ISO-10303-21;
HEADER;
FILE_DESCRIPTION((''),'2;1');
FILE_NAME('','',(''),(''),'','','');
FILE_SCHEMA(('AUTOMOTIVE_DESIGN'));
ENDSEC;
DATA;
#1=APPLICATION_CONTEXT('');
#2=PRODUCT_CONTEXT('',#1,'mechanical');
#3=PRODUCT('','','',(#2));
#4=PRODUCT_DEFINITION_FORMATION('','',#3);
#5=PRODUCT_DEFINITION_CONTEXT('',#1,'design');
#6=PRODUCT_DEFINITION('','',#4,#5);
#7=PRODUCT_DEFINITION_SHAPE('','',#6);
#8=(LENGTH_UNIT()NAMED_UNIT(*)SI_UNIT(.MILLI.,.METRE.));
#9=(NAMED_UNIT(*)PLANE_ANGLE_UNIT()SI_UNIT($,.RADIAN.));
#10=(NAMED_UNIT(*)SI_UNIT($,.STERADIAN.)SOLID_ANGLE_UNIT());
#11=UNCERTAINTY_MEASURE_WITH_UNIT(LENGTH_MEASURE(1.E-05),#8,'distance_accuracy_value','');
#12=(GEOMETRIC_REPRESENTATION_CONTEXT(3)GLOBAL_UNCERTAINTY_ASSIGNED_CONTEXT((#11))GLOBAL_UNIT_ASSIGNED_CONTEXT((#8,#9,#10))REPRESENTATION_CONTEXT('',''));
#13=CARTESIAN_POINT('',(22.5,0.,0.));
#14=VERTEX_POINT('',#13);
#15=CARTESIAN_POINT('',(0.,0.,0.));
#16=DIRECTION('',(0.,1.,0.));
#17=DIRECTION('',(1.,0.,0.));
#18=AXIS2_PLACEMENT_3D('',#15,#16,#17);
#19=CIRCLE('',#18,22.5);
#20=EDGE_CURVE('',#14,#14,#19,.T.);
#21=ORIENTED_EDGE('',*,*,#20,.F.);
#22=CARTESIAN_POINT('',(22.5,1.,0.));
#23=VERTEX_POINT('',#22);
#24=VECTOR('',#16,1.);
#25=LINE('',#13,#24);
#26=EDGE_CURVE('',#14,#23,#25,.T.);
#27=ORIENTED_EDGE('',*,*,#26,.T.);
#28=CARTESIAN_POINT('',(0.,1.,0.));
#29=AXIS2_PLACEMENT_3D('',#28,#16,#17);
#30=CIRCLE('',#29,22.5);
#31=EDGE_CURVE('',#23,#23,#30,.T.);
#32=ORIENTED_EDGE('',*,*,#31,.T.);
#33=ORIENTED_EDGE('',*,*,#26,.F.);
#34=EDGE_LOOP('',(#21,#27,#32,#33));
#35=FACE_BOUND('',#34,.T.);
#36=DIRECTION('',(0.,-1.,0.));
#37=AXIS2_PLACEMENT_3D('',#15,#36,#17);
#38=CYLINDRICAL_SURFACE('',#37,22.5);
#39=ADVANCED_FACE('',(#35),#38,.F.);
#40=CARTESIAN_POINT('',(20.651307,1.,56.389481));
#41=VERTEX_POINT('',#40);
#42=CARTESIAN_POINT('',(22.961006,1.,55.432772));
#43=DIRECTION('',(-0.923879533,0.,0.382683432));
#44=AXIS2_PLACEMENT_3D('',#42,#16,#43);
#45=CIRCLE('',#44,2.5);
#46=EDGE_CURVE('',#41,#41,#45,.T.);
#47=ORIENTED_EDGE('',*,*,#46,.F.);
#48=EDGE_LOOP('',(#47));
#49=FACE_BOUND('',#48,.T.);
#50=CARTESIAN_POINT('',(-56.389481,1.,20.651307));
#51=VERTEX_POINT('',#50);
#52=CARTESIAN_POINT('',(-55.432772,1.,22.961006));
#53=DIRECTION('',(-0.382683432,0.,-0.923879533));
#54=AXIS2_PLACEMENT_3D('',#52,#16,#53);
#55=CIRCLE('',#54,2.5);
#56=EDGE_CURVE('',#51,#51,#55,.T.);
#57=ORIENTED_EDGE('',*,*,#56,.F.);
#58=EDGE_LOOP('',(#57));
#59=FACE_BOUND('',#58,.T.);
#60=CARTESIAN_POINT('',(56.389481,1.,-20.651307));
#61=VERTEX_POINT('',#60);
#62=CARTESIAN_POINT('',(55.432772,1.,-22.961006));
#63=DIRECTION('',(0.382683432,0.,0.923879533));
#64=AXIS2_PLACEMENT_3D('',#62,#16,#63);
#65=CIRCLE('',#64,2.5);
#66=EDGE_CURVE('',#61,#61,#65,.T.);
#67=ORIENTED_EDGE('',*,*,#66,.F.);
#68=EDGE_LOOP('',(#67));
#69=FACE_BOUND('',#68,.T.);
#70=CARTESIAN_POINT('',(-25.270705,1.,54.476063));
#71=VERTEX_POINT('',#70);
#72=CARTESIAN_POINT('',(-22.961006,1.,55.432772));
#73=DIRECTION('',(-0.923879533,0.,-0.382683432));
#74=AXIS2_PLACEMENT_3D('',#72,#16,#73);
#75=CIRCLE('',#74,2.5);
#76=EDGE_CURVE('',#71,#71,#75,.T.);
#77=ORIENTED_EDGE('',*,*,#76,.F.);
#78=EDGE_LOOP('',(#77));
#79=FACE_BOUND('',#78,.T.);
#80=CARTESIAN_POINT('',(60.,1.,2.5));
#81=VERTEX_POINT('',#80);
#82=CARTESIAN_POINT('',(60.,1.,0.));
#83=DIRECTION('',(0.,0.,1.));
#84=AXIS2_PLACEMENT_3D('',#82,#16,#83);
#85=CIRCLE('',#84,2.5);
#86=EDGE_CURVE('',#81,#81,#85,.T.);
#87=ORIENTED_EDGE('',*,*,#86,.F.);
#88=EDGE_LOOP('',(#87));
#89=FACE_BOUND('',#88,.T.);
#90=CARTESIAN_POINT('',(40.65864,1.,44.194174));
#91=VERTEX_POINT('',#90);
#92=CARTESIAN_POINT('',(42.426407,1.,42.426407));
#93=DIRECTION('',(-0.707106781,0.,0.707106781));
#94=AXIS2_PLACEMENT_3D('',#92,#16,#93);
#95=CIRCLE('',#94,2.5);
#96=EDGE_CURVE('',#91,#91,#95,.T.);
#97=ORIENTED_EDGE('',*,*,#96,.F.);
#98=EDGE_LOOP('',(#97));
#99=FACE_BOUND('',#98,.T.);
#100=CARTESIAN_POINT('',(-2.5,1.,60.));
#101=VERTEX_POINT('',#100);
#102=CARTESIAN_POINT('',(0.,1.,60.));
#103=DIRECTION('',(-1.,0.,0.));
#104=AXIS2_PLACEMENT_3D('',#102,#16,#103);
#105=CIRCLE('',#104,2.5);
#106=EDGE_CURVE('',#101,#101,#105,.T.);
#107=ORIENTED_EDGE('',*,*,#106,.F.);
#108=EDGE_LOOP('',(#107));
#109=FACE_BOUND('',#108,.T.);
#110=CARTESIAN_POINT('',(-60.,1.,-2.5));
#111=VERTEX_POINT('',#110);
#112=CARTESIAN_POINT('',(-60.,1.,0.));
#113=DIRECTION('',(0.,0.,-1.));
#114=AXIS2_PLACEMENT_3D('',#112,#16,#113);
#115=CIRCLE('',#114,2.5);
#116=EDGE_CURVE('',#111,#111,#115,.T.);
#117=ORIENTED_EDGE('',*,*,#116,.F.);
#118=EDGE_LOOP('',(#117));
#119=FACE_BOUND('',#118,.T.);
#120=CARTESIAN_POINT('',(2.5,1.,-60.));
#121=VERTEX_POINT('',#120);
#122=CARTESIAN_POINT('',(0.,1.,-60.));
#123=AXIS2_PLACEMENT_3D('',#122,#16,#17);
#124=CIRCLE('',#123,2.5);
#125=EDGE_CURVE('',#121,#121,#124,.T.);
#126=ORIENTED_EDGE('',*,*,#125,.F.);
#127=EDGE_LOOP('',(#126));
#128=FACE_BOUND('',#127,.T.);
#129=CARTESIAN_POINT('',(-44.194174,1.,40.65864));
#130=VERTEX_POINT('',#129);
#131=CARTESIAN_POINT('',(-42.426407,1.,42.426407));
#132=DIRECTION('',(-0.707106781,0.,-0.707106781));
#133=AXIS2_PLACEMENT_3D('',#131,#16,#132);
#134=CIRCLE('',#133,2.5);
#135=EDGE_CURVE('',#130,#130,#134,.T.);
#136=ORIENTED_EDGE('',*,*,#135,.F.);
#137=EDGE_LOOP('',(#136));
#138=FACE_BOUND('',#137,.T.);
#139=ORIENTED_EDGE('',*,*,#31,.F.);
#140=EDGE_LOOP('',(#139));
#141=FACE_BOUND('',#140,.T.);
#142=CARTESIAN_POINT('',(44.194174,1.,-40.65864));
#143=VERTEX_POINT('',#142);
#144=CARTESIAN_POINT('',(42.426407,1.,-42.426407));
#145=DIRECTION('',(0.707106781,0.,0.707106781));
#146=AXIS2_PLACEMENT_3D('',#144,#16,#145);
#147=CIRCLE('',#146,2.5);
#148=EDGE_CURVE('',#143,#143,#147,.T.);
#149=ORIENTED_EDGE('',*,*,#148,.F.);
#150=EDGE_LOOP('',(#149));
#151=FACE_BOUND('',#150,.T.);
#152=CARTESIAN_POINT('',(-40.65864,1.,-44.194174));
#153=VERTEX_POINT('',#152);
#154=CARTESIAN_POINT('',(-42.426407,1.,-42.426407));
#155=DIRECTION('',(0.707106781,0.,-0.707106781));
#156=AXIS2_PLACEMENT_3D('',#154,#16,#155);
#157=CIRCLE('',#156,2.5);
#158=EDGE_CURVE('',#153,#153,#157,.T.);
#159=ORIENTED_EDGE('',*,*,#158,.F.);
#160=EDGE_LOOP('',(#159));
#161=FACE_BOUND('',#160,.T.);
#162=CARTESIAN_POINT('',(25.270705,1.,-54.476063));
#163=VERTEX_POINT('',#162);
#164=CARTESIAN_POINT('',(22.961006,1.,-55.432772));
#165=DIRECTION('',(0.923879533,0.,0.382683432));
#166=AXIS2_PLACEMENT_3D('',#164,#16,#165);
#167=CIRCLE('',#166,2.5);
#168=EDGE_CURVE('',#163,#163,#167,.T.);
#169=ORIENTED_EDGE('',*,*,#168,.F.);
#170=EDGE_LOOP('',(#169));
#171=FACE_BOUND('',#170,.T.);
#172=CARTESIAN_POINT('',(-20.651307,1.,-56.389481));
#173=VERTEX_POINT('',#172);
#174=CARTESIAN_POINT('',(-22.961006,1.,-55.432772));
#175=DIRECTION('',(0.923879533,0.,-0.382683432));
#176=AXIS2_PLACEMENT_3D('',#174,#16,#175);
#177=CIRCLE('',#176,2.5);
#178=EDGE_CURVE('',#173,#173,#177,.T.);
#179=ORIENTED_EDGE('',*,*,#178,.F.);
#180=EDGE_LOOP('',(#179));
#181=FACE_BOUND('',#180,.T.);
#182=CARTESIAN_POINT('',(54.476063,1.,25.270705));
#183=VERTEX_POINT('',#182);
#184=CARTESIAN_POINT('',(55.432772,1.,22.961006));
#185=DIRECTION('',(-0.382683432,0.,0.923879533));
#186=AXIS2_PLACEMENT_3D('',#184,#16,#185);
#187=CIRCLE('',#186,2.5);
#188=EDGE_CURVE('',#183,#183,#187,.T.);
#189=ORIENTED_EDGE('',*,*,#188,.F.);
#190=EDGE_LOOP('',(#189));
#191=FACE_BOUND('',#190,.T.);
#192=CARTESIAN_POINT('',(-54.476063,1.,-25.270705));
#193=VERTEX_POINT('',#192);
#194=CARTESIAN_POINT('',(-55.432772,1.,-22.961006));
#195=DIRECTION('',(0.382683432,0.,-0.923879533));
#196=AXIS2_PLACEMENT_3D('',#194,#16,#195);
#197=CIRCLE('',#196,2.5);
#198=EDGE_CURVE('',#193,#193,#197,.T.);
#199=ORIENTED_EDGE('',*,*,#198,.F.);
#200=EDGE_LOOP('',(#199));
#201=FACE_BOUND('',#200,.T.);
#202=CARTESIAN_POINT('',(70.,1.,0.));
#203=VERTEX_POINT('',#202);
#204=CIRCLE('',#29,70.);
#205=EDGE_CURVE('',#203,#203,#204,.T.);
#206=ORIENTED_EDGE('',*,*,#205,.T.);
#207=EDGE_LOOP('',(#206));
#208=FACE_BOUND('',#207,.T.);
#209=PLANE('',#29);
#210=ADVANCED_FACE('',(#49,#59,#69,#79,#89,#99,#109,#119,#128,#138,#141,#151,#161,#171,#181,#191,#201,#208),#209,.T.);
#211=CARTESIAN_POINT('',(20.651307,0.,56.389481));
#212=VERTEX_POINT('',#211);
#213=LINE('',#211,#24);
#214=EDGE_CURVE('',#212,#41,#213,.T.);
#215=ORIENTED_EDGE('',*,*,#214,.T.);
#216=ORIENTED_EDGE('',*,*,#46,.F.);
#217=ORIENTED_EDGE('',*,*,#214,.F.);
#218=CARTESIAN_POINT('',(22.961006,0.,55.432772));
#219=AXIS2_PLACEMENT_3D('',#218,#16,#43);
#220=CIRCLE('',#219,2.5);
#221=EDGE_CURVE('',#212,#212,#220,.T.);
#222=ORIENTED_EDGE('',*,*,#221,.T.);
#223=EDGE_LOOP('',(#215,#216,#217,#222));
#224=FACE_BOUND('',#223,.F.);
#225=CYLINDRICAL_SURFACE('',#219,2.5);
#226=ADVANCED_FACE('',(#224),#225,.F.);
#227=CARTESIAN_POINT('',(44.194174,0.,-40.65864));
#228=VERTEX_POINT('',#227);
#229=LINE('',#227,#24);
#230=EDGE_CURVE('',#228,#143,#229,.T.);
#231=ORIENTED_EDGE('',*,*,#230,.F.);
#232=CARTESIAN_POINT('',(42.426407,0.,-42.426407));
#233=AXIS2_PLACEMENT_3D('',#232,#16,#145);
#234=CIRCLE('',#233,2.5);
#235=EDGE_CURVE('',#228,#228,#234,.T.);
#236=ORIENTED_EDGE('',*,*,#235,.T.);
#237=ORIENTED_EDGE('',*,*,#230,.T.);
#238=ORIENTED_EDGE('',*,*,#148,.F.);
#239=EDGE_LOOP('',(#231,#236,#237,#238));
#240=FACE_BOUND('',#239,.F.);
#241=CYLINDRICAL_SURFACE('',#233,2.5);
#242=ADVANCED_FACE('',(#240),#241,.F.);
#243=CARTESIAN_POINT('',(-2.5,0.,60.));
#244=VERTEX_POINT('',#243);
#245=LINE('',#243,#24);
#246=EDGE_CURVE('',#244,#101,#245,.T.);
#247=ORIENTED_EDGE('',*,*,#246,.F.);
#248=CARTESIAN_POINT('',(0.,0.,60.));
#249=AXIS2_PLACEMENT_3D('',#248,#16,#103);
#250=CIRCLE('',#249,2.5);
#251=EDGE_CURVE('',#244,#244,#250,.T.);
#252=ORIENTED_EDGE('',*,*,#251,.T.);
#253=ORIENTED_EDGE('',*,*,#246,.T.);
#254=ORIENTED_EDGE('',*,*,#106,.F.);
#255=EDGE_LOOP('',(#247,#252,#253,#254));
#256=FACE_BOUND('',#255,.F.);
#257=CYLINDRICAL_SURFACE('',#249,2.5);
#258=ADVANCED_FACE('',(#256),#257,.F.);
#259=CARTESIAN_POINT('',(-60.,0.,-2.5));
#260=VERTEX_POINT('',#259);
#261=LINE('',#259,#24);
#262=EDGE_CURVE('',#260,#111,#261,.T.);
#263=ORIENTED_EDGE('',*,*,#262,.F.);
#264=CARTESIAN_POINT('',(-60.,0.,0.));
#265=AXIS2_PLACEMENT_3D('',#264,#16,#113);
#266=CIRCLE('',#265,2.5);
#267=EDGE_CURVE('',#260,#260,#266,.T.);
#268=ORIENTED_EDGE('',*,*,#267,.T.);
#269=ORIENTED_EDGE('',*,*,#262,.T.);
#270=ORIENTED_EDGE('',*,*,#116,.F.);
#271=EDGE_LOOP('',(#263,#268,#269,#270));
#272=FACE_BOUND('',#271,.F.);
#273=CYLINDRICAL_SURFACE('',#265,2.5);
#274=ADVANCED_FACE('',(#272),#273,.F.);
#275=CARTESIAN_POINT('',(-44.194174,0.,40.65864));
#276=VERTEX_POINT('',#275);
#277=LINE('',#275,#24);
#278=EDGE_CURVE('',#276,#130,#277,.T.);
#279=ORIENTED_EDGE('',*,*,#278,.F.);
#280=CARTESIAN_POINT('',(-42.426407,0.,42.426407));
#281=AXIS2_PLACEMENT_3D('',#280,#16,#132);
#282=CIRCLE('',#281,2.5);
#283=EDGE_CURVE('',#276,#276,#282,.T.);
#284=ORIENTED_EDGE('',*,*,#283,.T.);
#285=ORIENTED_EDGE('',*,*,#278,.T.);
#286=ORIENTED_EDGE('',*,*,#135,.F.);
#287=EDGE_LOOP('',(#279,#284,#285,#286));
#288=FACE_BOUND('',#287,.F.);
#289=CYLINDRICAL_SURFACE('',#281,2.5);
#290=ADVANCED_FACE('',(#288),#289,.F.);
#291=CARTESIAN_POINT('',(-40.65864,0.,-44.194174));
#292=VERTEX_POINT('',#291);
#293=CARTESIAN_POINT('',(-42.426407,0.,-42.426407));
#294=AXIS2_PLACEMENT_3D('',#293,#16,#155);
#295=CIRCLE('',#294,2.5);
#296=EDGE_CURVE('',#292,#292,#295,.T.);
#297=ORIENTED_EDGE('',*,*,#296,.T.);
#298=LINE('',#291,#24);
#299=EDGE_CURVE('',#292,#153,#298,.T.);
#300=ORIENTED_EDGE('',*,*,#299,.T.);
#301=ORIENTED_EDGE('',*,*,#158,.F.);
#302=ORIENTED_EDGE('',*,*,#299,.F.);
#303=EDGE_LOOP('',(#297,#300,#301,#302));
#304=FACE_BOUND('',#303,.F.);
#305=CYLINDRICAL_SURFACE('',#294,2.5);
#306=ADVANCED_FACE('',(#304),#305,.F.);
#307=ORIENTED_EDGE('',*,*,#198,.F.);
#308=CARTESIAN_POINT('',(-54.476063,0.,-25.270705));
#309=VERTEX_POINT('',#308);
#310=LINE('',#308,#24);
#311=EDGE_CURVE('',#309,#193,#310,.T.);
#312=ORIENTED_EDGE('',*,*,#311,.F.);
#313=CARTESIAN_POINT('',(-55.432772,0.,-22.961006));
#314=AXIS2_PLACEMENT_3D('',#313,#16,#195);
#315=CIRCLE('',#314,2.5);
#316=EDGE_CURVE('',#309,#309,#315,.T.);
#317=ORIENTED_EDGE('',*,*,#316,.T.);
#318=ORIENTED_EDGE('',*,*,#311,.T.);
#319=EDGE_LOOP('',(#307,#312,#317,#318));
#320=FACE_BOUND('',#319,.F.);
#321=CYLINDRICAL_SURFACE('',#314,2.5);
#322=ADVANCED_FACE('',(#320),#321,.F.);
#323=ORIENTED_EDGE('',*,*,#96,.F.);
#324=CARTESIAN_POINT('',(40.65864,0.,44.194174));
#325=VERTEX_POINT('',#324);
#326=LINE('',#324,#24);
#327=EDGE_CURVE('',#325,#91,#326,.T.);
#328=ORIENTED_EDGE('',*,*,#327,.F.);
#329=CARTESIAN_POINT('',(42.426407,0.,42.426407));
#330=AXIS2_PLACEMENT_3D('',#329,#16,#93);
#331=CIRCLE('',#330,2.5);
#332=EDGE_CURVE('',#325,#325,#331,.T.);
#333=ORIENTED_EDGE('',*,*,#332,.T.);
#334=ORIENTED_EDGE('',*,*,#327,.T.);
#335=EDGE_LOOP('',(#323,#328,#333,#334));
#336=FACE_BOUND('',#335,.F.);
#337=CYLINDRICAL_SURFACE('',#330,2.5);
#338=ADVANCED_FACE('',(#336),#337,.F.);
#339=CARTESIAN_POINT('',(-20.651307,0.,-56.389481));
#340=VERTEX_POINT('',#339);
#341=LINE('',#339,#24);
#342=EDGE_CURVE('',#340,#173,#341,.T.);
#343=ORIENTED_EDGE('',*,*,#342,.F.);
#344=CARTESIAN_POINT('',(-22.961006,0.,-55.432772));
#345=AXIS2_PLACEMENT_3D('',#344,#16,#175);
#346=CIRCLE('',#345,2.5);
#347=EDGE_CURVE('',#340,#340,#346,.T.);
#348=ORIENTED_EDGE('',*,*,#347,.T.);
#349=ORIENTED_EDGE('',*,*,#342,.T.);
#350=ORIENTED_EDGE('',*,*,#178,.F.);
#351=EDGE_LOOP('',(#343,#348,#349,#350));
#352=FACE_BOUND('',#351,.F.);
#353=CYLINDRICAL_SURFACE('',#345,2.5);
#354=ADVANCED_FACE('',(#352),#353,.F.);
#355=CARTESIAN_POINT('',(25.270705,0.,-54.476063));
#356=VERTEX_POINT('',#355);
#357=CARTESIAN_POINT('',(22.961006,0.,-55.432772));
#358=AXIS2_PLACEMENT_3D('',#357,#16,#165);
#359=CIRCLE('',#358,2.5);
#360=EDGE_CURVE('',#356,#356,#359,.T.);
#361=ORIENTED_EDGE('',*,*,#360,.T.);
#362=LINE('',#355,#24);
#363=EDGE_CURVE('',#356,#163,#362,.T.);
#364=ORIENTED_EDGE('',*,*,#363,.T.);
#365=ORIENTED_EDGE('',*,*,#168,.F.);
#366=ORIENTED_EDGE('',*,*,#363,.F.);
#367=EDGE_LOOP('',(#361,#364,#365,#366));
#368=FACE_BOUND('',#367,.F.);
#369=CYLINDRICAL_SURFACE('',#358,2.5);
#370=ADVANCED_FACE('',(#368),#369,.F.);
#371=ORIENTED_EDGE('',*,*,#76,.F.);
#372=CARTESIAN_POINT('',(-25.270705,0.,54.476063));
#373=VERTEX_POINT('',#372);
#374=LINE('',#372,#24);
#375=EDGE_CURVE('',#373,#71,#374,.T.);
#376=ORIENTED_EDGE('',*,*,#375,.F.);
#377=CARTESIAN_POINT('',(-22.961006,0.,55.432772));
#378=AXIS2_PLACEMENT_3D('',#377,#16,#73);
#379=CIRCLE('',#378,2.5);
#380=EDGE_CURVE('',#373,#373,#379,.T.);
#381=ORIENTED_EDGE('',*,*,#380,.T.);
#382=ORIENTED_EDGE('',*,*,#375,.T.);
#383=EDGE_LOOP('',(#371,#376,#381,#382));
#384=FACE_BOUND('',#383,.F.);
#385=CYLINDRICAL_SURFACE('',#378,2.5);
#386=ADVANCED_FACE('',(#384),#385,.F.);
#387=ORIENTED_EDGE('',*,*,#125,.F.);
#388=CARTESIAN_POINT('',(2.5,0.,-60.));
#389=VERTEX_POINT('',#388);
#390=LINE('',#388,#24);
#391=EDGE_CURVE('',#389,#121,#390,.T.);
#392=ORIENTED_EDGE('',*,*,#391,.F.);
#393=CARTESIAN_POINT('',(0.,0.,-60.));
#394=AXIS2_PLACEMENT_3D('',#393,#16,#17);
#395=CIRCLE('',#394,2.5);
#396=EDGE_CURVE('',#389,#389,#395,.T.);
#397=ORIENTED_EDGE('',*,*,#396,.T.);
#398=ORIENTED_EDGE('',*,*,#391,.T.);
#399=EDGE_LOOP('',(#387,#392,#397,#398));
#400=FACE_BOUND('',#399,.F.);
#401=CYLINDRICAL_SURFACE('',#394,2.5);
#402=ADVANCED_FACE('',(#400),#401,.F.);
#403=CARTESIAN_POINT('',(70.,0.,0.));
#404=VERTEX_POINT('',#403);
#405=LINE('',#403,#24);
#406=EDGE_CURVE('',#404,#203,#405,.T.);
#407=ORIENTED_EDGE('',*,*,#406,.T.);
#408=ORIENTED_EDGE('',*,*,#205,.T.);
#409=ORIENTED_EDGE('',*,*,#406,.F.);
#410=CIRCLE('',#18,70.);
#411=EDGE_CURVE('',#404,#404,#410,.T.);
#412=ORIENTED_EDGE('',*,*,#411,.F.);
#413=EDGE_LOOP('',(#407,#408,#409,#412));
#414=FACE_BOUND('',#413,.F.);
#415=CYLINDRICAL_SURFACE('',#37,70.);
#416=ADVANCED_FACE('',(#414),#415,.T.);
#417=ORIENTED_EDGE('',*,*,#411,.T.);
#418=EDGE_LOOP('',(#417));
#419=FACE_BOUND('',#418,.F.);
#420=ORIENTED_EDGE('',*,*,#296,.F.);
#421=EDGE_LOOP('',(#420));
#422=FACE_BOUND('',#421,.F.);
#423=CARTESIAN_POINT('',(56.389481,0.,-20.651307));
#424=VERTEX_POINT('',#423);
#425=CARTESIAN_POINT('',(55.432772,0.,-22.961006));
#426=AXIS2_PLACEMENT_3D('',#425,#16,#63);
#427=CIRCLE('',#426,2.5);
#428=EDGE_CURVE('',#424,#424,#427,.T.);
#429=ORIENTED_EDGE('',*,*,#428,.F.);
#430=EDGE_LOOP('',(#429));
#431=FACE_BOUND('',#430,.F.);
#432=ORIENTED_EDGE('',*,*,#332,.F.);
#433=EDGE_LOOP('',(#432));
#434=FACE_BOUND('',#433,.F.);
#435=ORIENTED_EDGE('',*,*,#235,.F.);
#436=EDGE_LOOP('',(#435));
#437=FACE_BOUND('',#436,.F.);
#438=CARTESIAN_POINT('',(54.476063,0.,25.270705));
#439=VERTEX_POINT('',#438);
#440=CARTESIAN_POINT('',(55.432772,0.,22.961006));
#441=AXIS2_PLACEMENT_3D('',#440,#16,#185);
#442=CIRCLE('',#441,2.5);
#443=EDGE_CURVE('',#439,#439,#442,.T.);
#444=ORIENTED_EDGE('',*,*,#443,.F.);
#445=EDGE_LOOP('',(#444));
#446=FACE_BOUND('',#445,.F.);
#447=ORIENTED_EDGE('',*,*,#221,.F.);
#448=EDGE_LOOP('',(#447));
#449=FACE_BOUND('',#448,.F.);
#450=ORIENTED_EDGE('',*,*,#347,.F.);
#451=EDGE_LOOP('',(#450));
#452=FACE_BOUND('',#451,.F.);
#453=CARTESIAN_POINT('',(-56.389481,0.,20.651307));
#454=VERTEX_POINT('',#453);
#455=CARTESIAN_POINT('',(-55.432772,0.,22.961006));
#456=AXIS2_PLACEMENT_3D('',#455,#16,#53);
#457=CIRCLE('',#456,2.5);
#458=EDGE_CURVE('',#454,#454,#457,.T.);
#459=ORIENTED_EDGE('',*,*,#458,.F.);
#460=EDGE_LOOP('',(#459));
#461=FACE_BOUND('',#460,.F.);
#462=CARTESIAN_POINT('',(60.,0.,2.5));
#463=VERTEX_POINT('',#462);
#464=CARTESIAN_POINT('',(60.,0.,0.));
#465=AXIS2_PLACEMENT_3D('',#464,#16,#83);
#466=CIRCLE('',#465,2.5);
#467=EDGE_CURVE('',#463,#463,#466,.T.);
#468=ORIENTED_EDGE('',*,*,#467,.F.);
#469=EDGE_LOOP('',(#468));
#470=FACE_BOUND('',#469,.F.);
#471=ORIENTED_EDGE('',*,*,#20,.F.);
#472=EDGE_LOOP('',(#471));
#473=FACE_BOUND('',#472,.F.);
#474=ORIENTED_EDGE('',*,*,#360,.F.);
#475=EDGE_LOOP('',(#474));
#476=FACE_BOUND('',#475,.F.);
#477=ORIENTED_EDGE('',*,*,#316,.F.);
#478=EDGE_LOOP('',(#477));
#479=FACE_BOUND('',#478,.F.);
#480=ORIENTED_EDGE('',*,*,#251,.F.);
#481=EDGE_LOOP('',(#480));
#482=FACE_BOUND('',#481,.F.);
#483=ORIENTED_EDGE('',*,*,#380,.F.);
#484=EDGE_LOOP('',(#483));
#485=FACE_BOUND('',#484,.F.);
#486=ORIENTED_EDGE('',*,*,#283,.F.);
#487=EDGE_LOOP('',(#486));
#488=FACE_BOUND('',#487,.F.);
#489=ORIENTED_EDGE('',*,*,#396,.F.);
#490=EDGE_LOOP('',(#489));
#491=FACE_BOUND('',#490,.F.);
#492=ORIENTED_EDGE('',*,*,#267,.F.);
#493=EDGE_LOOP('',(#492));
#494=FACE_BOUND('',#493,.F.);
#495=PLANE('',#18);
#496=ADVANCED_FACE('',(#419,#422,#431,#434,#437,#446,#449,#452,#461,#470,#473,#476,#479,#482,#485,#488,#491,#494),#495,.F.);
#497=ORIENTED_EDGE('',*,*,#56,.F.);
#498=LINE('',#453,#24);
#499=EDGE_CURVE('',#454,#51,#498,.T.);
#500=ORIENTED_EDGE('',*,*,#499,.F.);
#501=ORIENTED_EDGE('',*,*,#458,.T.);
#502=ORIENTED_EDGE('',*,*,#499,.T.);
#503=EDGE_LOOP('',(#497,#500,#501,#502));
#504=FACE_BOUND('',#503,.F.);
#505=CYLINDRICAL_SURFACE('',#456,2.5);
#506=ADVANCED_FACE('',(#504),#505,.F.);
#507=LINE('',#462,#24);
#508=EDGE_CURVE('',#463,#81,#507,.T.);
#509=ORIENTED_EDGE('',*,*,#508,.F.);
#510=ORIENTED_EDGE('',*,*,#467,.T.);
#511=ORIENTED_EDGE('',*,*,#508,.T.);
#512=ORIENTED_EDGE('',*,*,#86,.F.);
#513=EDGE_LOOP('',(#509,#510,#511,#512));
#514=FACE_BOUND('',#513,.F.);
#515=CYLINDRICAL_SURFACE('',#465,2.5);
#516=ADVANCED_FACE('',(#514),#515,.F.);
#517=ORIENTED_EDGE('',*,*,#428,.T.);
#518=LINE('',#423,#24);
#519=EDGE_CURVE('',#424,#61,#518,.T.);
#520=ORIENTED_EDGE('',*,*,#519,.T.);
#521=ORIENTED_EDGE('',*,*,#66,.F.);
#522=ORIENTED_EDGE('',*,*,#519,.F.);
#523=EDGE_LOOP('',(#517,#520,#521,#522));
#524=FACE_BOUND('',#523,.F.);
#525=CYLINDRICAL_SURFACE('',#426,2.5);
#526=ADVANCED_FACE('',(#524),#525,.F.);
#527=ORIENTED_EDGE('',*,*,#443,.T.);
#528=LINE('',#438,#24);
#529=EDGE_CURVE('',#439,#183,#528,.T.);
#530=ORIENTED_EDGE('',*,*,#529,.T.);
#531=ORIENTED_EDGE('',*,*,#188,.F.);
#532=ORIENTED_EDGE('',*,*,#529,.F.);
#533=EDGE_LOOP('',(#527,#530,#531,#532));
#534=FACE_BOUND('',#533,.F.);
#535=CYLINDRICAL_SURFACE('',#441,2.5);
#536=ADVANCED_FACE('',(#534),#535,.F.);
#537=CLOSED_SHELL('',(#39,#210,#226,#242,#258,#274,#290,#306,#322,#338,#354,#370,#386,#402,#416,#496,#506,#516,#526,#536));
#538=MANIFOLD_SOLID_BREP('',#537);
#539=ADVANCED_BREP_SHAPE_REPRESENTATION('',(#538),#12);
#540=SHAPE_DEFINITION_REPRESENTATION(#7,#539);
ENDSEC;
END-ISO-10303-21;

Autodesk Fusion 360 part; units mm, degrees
sketch "Sketch1" plane through (0, 0, 0) normal (0, 1, 0) x (1, 0, 0)
  circle A0 centre (0, 0) radius 60 construction
  circle A1 centre (0, 0) radius 22.5
  circle A2 centre (0, 0) radius 70
  point P0 (-60, 0)
  dimension "d1" = 120
  dimension "d2" = 45
  dimension "d3" = 140
extrude "Extrude1" add sketch "Sketch1" along normal blind 1
hole "Hole1" at (-60, 0, 0) direction (0, 1, 0) diameter 5 depth 30 tip angle 118
pattern_circular "C-Pattern1" count 16 over 360 about axis through (0, 1.75, 0) along (0, 1, 0) of "Hole1"
sketch "cutting pattern" plane through (0, 1, 0) normal (0, 1, 0) x (-1, 0, 0)
  circle A0 centre (55.4328, -22.961) radius 2.5
  circle A1 centre (42.4264, -42.4264) radius 2.5
  circle A2 centre (22.961, -55.4328) radius 2.5
  circle A3 centre (0, -60) radius 2.5
  circle A4 centre (-22.961, -55.4328) radius 2.5
  circle A5 centre (-42.4264, -42.4264) radius 2.5
  circle A6 centre (-55.4328, -22.961) radius 2.5
  circle A7 centre (-60, 0) radius 2.5
  circle A8 centre (-55.4328, 22.961) radius 2.5
  circle A9 centre (-42.4264, 42.4264) radius 2.5
  circle A10 centre (-22.961, 55.4328) radius 2.5
  circle A11 centre (0, 60) radius 2.5
  circle A12 centre (22.961, 55.4328) radius 2.5
  circle A13 centre (42.4264, 42.4264) radius 2.5
  circle A14 centre (55.4328, 22.961) radius 2.5
  circle A15 centre (60, 0) radius 2.5
  circle A16 centre (0, 0) radius 22.5
  circle A17 centre (0, 0) radius 70
